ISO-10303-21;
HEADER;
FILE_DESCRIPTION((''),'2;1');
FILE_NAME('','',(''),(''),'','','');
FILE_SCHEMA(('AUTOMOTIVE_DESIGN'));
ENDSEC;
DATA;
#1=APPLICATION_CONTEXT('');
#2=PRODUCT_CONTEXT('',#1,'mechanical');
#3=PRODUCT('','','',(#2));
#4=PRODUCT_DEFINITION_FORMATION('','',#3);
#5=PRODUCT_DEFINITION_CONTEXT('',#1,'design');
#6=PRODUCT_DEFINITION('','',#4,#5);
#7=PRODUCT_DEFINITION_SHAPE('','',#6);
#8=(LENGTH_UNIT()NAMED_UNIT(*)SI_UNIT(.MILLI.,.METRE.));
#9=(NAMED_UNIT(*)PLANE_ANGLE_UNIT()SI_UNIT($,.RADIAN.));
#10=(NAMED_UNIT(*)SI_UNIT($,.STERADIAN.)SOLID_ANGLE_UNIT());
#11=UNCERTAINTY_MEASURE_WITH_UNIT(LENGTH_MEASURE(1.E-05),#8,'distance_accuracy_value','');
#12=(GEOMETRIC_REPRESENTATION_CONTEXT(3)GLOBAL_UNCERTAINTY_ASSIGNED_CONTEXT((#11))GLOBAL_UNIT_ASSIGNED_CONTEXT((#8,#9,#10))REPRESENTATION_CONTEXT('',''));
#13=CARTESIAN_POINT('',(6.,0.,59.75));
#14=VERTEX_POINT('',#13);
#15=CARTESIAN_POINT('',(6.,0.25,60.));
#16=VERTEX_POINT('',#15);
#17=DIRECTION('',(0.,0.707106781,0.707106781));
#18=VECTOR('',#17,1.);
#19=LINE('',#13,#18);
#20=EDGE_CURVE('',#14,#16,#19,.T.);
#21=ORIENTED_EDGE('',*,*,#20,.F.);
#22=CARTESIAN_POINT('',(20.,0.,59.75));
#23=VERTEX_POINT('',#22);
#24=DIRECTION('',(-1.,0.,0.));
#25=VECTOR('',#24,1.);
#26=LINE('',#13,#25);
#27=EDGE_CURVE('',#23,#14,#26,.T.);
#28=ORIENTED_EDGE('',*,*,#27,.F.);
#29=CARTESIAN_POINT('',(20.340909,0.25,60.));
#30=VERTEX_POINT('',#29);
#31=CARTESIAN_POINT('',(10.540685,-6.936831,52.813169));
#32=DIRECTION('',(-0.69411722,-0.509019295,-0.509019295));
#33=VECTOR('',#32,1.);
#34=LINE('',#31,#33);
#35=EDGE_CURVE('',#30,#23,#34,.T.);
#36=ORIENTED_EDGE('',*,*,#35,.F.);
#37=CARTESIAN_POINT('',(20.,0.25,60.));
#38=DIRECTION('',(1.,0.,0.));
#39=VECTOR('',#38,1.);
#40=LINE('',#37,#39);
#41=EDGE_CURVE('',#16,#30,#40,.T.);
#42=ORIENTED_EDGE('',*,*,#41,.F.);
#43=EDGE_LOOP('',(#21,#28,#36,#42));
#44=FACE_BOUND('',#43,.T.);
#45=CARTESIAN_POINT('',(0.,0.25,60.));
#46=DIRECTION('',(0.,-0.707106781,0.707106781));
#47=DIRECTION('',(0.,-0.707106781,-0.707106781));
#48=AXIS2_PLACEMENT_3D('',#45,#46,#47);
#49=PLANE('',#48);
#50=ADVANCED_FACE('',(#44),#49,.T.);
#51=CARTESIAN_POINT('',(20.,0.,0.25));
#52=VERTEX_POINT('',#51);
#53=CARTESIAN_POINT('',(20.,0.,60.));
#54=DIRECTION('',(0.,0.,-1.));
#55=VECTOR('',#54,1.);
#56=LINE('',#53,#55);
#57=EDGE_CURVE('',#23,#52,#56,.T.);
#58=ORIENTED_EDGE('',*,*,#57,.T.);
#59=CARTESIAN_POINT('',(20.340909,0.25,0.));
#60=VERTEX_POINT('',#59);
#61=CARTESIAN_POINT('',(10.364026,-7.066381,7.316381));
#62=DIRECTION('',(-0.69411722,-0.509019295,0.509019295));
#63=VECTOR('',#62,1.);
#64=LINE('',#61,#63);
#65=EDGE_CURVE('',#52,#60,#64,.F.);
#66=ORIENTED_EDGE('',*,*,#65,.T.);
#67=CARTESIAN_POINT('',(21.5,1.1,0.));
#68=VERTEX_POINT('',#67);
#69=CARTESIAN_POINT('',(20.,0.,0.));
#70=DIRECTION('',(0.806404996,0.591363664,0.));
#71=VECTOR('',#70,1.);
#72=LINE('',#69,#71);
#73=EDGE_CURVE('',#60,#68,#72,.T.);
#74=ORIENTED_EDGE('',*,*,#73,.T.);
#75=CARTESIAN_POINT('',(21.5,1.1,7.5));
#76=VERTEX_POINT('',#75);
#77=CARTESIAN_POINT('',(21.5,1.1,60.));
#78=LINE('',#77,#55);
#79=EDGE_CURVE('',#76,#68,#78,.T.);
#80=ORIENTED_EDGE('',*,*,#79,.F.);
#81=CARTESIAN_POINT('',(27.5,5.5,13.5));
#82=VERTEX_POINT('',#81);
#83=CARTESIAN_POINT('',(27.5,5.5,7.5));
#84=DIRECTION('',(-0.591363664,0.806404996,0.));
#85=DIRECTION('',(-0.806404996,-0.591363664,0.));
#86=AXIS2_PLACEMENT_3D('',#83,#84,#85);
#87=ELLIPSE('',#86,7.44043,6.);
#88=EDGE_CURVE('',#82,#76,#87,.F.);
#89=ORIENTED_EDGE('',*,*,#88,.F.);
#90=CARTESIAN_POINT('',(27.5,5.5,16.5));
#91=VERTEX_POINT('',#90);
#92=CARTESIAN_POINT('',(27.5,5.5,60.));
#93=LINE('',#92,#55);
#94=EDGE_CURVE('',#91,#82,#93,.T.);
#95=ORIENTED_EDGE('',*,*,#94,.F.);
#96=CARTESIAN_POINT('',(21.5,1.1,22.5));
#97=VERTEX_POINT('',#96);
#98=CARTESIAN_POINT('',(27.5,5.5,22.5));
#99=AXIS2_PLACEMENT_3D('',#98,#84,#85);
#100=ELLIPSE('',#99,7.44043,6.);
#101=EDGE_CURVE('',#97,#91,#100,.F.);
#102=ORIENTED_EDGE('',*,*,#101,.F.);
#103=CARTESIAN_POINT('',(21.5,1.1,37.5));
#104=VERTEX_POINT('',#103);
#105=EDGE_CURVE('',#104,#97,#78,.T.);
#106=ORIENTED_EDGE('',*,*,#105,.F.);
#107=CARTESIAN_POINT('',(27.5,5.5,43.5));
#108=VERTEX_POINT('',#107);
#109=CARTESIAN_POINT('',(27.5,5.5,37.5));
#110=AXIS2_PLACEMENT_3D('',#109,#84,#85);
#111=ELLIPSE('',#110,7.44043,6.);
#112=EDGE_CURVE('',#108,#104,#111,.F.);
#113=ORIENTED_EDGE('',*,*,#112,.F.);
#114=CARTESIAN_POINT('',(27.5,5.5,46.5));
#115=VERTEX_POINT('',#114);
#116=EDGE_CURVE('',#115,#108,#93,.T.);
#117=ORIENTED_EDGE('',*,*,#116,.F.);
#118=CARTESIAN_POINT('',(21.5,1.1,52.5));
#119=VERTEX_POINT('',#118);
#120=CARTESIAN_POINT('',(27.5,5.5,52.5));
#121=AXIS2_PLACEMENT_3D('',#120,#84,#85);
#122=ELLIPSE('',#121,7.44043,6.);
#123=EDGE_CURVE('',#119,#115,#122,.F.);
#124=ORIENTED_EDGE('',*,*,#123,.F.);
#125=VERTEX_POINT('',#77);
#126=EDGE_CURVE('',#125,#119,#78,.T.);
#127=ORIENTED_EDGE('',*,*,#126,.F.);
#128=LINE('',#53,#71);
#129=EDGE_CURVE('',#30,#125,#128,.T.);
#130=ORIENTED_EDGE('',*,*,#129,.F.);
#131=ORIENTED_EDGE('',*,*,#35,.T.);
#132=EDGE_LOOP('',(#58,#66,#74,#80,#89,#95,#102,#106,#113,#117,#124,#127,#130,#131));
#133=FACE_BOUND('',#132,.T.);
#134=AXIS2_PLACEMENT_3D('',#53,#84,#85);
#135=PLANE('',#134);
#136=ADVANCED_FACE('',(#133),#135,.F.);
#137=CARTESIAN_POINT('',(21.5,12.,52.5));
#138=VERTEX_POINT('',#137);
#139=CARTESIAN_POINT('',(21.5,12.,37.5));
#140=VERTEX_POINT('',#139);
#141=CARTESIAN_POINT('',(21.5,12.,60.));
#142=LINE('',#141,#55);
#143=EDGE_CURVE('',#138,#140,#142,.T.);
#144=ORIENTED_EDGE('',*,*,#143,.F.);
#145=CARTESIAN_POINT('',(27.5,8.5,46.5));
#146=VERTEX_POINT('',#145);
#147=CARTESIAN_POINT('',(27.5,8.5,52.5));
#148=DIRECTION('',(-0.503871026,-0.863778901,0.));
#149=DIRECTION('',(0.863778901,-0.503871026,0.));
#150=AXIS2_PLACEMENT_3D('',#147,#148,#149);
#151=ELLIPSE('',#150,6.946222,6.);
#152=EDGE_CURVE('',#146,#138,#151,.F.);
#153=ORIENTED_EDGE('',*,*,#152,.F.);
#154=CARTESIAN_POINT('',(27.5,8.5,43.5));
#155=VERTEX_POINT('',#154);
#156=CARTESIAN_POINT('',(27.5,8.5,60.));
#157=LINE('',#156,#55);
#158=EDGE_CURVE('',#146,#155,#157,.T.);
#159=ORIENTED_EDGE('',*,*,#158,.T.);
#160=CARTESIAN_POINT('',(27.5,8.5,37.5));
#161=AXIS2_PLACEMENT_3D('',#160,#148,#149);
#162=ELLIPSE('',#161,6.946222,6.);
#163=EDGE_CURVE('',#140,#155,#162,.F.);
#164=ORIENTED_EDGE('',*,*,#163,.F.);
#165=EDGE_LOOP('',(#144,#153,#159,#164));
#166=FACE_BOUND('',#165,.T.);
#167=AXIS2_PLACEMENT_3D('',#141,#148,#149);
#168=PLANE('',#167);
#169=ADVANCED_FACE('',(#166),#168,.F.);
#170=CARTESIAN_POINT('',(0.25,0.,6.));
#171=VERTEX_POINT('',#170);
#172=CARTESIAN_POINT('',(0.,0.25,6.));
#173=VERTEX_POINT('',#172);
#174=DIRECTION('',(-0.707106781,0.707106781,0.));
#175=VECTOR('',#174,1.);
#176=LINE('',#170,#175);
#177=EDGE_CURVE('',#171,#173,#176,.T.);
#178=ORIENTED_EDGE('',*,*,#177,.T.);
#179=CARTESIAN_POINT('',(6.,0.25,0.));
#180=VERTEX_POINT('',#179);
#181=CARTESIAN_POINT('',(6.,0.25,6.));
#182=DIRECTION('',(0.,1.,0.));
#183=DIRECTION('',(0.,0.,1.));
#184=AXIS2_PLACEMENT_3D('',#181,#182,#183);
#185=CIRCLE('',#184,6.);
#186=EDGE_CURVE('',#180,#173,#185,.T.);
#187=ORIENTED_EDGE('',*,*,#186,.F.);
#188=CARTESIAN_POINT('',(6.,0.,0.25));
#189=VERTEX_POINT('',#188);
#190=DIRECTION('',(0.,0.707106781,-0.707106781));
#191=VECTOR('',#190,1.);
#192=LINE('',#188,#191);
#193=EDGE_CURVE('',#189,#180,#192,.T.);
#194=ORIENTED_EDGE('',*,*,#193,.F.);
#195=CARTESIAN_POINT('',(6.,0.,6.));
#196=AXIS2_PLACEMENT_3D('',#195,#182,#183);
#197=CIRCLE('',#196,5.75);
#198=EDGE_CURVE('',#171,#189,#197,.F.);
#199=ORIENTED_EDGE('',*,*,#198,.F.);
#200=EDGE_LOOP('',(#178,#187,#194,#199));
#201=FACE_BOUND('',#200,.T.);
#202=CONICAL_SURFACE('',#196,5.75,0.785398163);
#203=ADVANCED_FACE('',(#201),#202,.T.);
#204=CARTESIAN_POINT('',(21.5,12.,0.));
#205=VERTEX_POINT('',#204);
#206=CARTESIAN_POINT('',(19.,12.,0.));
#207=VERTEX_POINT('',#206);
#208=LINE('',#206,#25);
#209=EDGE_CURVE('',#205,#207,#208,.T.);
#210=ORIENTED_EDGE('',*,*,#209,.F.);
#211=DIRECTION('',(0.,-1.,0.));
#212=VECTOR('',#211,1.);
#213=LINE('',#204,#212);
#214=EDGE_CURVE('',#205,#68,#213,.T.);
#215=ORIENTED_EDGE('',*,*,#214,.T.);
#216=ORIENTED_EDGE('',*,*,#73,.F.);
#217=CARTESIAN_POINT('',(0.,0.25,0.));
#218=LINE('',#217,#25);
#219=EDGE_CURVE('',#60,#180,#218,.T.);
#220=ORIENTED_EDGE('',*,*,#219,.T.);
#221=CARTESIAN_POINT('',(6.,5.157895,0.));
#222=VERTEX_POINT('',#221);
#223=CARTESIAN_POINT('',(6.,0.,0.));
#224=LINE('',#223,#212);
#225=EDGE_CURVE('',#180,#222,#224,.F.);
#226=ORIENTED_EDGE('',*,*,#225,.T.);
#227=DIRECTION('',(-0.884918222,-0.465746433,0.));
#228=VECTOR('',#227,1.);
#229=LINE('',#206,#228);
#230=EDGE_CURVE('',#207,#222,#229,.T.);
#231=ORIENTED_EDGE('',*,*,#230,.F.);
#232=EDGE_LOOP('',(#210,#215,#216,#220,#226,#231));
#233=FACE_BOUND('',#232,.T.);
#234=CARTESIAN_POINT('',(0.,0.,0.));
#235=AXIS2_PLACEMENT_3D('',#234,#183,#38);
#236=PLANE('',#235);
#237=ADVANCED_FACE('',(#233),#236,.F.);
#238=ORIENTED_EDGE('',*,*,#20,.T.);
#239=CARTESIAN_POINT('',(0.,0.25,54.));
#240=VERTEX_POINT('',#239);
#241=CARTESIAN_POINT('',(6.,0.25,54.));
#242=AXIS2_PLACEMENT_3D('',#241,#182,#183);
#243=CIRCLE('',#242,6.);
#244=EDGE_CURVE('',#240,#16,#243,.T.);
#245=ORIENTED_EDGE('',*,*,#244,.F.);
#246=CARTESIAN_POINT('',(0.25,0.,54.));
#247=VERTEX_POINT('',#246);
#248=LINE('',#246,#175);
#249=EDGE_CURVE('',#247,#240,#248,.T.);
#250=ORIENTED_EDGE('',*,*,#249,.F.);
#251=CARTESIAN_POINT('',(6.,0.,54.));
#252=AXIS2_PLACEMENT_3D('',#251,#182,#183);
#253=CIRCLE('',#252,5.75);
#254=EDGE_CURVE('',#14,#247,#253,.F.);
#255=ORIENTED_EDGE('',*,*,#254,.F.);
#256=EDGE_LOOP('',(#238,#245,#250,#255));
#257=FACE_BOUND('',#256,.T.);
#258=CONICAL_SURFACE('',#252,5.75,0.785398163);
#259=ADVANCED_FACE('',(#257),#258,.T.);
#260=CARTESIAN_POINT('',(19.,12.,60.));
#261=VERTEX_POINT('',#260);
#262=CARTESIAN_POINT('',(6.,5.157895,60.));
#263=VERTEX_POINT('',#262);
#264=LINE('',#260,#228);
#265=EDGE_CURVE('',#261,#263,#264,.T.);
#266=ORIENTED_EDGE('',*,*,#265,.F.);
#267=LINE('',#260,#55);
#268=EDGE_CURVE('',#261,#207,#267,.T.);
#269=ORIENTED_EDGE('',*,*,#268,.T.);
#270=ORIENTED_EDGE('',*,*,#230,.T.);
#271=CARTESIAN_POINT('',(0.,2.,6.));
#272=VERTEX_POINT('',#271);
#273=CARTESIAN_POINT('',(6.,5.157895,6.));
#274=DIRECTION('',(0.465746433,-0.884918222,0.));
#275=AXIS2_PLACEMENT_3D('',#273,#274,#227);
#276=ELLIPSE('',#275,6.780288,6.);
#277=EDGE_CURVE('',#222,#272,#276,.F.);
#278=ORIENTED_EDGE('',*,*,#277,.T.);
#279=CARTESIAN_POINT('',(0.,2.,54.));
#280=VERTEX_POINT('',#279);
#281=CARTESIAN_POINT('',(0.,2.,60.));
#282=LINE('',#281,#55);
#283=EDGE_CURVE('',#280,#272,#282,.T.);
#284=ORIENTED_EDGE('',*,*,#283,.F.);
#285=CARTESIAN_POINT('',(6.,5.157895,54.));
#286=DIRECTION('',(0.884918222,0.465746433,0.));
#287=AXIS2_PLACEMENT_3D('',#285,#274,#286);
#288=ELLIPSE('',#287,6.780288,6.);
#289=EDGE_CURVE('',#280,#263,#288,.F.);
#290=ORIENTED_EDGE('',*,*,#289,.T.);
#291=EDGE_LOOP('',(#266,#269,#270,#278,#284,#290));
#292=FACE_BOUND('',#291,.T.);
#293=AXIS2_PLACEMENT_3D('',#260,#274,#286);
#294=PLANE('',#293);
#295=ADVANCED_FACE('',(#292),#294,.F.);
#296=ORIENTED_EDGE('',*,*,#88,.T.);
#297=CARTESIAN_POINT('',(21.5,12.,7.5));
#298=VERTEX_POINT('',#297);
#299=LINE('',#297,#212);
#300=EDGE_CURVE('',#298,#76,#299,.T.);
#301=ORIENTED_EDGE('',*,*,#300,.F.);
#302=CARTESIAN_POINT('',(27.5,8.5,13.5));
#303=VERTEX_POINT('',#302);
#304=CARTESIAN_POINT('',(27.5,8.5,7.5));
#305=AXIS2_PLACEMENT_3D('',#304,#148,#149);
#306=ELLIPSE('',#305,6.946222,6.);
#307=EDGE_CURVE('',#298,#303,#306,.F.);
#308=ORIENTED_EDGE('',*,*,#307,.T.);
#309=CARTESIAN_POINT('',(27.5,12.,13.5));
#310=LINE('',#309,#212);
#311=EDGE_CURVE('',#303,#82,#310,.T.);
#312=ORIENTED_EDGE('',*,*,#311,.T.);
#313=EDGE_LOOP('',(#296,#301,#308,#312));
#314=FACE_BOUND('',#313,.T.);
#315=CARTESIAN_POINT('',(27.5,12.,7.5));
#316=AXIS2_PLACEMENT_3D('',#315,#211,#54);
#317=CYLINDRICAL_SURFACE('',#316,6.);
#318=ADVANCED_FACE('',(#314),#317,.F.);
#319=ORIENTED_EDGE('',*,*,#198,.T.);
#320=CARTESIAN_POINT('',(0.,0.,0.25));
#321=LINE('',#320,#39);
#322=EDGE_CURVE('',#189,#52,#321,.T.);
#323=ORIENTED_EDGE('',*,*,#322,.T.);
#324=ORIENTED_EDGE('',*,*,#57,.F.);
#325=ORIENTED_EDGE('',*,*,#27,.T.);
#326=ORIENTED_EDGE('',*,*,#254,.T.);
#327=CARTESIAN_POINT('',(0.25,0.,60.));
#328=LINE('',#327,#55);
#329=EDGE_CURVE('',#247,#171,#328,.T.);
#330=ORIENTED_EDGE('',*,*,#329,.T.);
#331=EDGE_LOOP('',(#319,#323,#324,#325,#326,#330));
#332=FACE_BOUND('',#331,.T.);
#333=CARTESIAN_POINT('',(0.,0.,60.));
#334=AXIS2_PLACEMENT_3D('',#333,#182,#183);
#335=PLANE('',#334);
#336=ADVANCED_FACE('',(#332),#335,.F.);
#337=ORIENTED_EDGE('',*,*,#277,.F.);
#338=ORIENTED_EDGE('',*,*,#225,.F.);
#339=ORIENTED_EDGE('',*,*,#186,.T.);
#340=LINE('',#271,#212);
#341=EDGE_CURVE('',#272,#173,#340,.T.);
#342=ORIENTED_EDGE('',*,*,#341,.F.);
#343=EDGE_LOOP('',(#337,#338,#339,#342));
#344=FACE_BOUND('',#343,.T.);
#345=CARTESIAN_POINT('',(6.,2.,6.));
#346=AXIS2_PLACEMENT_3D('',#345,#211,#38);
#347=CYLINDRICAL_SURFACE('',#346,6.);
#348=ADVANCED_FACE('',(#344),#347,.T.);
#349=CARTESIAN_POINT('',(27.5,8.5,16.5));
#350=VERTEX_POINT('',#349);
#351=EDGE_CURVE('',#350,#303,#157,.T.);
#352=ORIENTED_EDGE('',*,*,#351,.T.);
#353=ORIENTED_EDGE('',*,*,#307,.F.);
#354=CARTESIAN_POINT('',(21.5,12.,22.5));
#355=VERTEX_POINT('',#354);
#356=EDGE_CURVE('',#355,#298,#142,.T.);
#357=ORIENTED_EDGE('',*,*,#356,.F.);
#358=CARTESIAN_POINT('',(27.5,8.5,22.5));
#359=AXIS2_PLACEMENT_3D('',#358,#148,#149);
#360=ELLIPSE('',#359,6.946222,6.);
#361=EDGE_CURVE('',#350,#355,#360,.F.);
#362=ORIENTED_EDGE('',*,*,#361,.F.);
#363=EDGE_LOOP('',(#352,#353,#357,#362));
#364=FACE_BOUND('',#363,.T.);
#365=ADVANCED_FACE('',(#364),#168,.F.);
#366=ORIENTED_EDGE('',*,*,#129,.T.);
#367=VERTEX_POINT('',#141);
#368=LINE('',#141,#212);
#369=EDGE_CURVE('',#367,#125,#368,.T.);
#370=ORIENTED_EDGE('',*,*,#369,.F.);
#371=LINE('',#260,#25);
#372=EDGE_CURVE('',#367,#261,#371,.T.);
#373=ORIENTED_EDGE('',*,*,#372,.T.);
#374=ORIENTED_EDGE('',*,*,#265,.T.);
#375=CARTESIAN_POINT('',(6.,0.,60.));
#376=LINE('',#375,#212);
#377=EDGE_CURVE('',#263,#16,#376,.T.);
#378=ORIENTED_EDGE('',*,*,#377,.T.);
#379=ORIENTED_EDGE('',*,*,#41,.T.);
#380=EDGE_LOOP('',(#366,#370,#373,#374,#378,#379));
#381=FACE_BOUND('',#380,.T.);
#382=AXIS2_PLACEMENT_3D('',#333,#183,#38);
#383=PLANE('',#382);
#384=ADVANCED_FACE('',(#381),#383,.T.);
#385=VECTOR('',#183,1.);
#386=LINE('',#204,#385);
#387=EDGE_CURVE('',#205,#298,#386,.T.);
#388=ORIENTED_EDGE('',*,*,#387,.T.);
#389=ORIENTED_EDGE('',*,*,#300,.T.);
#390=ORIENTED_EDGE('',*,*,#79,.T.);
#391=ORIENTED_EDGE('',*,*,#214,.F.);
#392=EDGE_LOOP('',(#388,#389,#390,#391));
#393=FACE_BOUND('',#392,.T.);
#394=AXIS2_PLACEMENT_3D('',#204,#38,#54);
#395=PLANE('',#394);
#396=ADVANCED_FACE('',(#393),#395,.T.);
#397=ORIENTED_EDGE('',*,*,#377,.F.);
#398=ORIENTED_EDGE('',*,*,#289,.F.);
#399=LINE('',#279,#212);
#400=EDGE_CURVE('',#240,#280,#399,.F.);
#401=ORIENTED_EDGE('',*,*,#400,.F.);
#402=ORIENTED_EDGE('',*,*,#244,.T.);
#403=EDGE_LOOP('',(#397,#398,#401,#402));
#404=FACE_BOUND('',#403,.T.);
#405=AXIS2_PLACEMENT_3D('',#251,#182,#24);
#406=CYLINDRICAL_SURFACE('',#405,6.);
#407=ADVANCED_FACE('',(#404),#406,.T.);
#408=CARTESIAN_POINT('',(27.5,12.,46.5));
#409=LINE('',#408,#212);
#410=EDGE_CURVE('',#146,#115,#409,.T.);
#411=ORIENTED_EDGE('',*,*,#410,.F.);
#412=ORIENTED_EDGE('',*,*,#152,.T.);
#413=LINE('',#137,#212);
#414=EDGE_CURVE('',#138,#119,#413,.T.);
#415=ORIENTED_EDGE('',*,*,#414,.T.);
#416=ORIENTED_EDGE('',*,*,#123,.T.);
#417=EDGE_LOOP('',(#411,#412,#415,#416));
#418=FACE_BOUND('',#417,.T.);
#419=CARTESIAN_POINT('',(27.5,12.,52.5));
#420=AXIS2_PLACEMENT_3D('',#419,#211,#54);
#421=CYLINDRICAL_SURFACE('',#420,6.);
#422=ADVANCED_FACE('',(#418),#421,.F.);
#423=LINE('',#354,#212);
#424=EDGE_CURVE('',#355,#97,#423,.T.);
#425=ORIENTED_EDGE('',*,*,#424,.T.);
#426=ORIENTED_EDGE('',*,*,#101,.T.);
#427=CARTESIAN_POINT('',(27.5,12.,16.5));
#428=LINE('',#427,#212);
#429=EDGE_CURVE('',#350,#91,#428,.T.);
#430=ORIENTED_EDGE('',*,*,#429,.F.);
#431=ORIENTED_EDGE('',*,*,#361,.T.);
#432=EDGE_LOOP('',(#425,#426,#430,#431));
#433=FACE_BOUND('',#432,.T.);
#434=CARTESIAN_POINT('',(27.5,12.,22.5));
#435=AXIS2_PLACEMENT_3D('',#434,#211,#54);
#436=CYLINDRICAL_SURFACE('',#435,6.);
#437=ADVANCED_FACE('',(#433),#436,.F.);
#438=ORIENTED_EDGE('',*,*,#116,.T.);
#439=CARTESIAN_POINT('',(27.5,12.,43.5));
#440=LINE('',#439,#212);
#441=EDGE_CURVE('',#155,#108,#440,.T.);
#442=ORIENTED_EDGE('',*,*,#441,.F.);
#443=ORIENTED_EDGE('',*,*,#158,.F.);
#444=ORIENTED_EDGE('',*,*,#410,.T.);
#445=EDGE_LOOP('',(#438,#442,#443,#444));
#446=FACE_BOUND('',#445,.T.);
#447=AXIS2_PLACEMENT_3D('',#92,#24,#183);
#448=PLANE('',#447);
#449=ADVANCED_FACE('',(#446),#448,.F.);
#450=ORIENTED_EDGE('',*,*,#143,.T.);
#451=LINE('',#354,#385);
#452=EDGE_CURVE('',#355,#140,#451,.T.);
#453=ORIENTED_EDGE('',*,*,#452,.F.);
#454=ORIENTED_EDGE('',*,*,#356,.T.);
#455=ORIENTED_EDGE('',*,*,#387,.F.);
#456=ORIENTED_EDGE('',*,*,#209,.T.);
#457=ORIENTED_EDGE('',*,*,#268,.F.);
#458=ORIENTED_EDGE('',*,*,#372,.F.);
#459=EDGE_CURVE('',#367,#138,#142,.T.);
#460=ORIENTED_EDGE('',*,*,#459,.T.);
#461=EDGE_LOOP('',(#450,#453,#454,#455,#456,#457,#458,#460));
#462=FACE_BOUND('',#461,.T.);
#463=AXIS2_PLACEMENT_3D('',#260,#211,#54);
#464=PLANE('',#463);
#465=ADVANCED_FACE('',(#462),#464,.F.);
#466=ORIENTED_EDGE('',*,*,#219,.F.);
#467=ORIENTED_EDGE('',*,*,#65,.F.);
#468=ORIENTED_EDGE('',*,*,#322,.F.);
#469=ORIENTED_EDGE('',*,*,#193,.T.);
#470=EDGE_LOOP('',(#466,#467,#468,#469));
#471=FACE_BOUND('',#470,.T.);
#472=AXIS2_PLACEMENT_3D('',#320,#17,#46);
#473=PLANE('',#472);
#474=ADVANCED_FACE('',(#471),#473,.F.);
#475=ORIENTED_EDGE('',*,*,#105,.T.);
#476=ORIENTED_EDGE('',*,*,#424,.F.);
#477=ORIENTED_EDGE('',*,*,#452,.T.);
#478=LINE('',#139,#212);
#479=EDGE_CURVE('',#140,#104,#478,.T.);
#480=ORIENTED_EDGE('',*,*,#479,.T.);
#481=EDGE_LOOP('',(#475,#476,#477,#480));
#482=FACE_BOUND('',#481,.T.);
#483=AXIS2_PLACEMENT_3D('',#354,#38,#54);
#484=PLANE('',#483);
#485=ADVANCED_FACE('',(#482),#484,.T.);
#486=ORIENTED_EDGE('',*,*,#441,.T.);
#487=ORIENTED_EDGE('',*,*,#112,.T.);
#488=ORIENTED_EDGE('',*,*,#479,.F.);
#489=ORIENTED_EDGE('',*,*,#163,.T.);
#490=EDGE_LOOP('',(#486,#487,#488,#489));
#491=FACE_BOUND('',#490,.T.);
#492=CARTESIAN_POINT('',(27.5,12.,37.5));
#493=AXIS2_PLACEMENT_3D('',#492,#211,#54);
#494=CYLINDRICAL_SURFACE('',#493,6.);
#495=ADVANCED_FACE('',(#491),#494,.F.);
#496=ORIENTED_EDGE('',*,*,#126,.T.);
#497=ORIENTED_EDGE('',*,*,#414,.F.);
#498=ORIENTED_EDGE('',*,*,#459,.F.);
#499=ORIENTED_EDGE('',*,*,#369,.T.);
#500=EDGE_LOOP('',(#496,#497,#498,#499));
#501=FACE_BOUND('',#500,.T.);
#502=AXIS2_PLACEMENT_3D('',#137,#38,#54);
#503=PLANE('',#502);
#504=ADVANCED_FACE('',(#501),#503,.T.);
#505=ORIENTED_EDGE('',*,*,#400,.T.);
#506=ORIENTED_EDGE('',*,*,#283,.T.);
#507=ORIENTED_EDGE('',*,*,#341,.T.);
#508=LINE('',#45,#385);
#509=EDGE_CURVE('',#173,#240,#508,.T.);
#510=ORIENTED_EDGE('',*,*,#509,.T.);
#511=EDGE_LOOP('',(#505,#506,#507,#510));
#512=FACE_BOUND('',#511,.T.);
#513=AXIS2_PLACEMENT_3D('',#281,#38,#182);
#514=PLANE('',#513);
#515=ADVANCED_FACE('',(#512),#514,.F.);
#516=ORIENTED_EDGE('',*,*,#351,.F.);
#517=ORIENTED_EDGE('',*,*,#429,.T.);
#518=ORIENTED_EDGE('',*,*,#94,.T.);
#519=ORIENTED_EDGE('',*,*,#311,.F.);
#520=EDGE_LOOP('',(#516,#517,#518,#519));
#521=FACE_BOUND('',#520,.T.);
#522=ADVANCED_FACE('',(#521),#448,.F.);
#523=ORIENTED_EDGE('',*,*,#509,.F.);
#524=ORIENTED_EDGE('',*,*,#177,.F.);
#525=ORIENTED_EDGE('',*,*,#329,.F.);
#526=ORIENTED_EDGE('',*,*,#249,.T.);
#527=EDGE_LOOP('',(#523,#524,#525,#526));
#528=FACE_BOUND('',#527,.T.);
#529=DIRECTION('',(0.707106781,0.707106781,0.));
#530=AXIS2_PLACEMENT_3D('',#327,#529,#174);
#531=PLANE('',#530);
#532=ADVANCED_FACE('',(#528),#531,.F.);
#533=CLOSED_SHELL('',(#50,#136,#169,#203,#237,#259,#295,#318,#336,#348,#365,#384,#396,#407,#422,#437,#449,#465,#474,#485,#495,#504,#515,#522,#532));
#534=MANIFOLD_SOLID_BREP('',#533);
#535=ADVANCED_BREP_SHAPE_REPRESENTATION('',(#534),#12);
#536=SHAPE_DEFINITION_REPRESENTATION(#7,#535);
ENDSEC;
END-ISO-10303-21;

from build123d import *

# Parameters (mm, degrees)
EXTRUDE1_DEPTH     = 60
CUT_EXTRUDE1_DEPTH = 13
FILLET1_R          = 6
CHAMFER1_SIZE      = 0.25


with BuildPart() as part:
    # Sketch1 → Extrude1 (new body)
    with BuildSketch(Plane.XY):
        Polygon((0, 0), (20, 0), (27.5, 5.5), (27.5, 8.5), (21.5, 12), (19, 12), (0, 2), align=None)
    extrude(amount=EXTRUDE1_DEPTH)

    # Sketch2 → Cut-Extrude1 (cut, through all)
    with BuildSketch(Plane(origin=(0, 0, 0), x_dir=(1, 0, 0), z_dir=(0, 1, 0))):
        with BuildLine():
            Line((27.5, -13.5), (27.5, -16.5))
            ThreePointArc((27.5, -16.5), (23.257359313, -18.257359313), (21.5, -22.5))
            Line((21.5, -22.5), (21.5, -37.5))
            ThreePointArc((21.5, -37.5), (23.257359313, -41.742640687), (27.5, -43.5))
            Line((27.5, -43.5), (27.5, -46.5))
            ThreePointArc((27.5, -46.5), (23.257359313, -48.257359313), (21.5, -52.5))
            Line((21.5, -52.5), (21.5, -60))
            Line((21.5, -60), (28.5, -60))
            Line((28.5, -60), (28.5, 0))
            Line((28.5, 0), (21.5, 0))
            Line((21.5, 0), (21.5, -7.5))
            ThreePointArc((21.5, -7.5), (23.257359313, -11.742640687), (27.5, -13.5))
        make_face()
    extrude(amount=CUT_EXTRUDE1_DEPTH, mode=Mode.SUBTRACT)

    # Fillet1
    fillet1_edges = [part.edges().sort_by_distance(p)[0] for p in [
        (0, 1, 60),
        (0, 1, 0),
    ]]
    fillet(fillet1_edges, radius=FILLET1_R)

    # Chamfer1
    chamfer1_edges = [part.edges().sort_by_distance(p)[0] for p in [
        (0, 0, 30),
        (13, 0, 0),
        (13, 0, 60),
        (1.757359313, 0, 58.242640687),
        (1.757359313, 0, 1.757359313),
    ]]
    chamfer(chamfer1_edges, length=CHAMFER1_SIZE)


solid = part.part
